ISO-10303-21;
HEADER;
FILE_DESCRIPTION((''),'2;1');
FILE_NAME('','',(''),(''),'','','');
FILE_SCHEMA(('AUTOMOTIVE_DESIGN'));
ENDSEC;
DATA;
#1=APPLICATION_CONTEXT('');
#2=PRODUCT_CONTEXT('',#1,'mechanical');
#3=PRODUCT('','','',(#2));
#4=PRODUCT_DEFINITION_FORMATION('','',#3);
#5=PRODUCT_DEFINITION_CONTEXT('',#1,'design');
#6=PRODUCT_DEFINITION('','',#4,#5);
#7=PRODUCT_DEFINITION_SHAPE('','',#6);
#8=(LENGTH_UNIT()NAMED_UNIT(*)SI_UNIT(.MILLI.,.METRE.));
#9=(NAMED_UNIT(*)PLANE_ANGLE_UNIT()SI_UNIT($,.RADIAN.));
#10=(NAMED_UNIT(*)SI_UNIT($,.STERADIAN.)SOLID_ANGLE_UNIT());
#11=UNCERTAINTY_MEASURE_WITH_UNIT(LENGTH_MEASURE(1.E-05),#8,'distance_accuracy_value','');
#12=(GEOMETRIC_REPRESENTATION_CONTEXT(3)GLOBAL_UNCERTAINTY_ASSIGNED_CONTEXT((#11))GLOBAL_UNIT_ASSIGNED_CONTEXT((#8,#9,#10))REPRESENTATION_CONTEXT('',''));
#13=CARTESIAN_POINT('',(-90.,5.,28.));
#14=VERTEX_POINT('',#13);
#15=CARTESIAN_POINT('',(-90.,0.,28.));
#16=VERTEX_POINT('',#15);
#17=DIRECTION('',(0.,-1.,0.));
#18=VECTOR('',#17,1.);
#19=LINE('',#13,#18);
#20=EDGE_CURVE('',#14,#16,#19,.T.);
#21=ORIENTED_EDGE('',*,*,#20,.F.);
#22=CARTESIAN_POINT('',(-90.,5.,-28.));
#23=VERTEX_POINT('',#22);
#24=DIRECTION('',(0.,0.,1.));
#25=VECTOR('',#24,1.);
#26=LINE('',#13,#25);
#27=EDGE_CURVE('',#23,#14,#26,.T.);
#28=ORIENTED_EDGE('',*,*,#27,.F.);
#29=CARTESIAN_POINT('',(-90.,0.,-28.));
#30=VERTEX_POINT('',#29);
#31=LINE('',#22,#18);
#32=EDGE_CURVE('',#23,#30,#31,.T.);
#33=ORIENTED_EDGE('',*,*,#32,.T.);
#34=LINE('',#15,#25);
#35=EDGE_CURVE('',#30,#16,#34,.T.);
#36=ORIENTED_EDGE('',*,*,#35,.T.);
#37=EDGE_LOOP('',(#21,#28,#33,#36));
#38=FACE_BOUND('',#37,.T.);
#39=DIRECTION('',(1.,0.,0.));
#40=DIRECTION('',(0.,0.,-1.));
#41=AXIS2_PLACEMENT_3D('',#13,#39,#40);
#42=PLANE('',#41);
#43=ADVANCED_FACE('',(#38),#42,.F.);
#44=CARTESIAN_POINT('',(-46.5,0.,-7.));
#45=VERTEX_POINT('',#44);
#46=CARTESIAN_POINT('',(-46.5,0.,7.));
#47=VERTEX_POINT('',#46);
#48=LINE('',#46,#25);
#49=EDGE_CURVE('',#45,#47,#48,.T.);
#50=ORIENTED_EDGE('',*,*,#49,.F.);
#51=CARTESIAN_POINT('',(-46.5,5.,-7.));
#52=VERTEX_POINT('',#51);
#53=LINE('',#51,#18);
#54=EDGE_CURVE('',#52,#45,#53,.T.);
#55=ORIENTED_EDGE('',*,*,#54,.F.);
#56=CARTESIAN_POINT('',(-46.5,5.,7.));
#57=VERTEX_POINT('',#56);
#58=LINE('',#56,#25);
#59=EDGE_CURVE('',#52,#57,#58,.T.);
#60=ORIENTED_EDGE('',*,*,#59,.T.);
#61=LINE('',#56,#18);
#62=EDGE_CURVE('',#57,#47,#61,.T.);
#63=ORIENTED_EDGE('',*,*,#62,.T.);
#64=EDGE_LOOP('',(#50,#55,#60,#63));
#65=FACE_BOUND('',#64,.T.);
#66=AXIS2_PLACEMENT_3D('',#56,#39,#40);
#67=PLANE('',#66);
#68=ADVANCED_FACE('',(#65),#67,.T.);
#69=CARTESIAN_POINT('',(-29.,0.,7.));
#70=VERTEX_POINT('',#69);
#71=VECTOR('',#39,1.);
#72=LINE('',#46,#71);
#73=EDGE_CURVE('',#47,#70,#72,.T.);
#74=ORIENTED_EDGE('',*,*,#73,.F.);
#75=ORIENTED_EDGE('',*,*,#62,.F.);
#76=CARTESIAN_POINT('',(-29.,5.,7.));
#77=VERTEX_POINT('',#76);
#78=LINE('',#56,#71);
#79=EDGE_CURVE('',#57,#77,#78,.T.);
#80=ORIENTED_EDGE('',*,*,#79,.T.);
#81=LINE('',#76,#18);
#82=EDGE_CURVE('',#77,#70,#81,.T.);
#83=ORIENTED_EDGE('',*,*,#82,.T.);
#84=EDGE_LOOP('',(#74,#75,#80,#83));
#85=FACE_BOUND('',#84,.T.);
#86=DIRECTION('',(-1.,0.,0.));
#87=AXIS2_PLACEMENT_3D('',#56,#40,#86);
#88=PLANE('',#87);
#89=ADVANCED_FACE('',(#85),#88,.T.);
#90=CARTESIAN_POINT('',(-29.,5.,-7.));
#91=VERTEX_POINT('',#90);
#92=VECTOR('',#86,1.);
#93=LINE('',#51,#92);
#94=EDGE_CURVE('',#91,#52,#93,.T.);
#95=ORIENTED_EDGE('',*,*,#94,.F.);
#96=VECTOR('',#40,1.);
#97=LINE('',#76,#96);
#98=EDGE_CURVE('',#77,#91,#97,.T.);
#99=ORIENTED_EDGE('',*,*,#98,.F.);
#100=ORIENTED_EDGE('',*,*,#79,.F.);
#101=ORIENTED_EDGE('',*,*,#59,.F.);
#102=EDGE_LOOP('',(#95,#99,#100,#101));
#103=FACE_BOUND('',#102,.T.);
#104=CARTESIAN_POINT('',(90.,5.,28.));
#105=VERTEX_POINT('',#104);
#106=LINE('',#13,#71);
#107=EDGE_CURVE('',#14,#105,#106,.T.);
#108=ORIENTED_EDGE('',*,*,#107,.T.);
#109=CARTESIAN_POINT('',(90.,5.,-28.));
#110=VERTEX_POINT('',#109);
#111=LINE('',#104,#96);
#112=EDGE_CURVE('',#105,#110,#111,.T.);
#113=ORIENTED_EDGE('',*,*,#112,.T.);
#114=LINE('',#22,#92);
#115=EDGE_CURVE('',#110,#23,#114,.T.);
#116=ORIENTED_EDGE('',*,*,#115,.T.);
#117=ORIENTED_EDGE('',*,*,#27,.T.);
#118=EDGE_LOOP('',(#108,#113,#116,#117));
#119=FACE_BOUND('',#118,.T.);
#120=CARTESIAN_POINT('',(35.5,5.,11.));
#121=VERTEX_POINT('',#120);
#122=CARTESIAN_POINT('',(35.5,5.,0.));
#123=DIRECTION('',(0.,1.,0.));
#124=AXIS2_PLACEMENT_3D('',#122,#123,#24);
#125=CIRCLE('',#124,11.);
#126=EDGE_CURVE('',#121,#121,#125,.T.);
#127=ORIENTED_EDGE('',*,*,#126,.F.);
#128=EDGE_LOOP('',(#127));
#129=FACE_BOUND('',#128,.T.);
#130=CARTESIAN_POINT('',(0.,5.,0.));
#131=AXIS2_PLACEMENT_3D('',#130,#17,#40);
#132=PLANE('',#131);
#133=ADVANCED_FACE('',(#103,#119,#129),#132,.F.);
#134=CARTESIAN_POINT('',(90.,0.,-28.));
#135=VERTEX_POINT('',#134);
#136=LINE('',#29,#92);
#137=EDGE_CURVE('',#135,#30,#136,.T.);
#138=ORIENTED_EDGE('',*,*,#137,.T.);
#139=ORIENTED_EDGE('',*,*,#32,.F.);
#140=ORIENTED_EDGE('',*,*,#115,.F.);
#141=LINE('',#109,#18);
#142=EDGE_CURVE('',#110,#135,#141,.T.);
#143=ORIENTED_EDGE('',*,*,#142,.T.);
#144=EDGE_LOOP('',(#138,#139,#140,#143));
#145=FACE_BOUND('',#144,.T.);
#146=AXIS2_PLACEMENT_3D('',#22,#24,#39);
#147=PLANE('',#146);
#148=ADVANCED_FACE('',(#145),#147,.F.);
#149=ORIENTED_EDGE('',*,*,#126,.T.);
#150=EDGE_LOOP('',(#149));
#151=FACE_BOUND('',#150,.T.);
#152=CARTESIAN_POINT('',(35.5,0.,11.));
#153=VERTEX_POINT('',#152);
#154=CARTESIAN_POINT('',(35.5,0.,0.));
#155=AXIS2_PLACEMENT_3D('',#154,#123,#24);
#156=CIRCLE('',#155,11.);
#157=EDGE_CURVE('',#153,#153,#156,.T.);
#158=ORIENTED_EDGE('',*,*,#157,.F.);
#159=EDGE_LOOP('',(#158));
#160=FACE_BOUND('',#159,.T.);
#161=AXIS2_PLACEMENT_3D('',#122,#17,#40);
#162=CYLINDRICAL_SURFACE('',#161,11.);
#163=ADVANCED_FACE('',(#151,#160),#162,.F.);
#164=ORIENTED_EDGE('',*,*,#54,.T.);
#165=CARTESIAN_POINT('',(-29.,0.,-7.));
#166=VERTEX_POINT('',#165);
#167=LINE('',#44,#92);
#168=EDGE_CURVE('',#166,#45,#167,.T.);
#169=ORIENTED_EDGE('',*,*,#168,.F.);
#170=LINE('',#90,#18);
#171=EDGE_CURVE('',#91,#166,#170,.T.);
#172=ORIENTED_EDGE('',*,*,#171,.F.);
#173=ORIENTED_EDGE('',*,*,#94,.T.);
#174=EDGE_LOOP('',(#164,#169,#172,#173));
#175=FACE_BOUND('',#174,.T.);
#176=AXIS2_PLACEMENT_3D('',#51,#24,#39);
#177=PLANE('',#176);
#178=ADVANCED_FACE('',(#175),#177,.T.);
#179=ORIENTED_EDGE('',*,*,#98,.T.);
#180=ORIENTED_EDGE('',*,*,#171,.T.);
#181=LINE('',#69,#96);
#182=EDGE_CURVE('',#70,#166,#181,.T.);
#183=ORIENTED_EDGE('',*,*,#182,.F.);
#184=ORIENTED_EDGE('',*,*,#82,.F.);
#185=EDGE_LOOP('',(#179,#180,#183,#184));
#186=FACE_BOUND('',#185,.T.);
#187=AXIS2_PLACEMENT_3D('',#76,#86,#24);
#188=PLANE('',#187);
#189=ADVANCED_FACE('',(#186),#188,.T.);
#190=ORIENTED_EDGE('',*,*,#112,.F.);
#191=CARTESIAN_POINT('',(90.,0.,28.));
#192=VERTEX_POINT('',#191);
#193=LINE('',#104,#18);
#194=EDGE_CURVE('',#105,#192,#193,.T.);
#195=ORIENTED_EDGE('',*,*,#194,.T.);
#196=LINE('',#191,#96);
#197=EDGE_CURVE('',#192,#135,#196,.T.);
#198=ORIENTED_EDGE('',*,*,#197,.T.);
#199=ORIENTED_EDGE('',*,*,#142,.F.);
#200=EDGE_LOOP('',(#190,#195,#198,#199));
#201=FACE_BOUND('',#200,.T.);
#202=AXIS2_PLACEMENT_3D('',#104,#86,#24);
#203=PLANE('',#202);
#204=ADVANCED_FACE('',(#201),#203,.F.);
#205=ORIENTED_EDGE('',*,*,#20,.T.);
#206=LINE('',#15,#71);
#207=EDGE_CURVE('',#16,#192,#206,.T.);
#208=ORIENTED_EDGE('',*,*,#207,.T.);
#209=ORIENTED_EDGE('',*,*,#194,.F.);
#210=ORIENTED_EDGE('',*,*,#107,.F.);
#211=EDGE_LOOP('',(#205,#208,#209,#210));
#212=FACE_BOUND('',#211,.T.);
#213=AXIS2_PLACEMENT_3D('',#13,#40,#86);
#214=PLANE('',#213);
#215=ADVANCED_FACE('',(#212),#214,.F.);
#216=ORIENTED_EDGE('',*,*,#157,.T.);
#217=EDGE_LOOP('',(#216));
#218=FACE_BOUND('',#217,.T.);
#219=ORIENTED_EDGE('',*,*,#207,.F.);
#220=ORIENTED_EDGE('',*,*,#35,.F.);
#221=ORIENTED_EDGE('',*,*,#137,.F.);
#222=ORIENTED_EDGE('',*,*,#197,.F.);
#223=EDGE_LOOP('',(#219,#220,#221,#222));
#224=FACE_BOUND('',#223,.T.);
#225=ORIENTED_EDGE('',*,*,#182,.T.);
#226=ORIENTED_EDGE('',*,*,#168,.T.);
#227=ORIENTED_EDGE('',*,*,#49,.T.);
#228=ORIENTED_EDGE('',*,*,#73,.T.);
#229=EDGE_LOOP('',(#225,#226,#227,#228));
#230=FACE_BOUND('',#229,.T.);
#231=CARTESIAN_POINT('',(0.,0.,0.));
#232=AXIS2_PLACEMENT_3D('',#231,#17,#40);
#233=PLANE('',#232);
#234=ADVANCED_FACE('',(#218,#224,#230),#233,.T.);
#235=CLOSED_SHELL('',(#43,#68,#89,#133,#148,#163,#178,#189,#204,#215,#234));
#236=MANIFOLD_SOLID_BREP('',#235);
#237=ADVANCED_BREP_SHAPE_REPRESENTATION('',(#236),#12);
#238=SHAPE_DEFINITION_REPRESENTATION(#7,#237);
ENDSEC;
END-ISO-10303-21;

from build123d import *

# Parameters (mm, degrees)
IZIM1_W                     = 180
IZIM1_H                     = 56
IZIM1_R                     = 11
IZIM1_W_2                   = 17.5
IZIM1_H_2                   = 14
Y_KSEKLIK_EKSTR_ZYON1_DEPTH = 5


with BuildPart() as part:
    # Çizim1 → Yükseklik-Ekstrüzyon1 (new body)
    with BuildSketch(Plane(origin=(0, 0, 0), x_dir=(1, 0, 0), z_dir=(0, 1, 0))):
        Rectangle(IZIM1_W, IZIM1_H)
        with Locations(Location((35.5, 0, 0), (0, 0, 270))):
            Circle(IZIM1_R, mode=Mode.SUBTRACT)
        with Locations((-37.75, 0)):
            Rectangle(IZIM1_W_2, IZIM1_H_2, mode=Mode.SUBTRACT)
    extrude(amount=Y_KSEKLIK_EKSTR_ZYON1_DEPTH)


solid = part.part
